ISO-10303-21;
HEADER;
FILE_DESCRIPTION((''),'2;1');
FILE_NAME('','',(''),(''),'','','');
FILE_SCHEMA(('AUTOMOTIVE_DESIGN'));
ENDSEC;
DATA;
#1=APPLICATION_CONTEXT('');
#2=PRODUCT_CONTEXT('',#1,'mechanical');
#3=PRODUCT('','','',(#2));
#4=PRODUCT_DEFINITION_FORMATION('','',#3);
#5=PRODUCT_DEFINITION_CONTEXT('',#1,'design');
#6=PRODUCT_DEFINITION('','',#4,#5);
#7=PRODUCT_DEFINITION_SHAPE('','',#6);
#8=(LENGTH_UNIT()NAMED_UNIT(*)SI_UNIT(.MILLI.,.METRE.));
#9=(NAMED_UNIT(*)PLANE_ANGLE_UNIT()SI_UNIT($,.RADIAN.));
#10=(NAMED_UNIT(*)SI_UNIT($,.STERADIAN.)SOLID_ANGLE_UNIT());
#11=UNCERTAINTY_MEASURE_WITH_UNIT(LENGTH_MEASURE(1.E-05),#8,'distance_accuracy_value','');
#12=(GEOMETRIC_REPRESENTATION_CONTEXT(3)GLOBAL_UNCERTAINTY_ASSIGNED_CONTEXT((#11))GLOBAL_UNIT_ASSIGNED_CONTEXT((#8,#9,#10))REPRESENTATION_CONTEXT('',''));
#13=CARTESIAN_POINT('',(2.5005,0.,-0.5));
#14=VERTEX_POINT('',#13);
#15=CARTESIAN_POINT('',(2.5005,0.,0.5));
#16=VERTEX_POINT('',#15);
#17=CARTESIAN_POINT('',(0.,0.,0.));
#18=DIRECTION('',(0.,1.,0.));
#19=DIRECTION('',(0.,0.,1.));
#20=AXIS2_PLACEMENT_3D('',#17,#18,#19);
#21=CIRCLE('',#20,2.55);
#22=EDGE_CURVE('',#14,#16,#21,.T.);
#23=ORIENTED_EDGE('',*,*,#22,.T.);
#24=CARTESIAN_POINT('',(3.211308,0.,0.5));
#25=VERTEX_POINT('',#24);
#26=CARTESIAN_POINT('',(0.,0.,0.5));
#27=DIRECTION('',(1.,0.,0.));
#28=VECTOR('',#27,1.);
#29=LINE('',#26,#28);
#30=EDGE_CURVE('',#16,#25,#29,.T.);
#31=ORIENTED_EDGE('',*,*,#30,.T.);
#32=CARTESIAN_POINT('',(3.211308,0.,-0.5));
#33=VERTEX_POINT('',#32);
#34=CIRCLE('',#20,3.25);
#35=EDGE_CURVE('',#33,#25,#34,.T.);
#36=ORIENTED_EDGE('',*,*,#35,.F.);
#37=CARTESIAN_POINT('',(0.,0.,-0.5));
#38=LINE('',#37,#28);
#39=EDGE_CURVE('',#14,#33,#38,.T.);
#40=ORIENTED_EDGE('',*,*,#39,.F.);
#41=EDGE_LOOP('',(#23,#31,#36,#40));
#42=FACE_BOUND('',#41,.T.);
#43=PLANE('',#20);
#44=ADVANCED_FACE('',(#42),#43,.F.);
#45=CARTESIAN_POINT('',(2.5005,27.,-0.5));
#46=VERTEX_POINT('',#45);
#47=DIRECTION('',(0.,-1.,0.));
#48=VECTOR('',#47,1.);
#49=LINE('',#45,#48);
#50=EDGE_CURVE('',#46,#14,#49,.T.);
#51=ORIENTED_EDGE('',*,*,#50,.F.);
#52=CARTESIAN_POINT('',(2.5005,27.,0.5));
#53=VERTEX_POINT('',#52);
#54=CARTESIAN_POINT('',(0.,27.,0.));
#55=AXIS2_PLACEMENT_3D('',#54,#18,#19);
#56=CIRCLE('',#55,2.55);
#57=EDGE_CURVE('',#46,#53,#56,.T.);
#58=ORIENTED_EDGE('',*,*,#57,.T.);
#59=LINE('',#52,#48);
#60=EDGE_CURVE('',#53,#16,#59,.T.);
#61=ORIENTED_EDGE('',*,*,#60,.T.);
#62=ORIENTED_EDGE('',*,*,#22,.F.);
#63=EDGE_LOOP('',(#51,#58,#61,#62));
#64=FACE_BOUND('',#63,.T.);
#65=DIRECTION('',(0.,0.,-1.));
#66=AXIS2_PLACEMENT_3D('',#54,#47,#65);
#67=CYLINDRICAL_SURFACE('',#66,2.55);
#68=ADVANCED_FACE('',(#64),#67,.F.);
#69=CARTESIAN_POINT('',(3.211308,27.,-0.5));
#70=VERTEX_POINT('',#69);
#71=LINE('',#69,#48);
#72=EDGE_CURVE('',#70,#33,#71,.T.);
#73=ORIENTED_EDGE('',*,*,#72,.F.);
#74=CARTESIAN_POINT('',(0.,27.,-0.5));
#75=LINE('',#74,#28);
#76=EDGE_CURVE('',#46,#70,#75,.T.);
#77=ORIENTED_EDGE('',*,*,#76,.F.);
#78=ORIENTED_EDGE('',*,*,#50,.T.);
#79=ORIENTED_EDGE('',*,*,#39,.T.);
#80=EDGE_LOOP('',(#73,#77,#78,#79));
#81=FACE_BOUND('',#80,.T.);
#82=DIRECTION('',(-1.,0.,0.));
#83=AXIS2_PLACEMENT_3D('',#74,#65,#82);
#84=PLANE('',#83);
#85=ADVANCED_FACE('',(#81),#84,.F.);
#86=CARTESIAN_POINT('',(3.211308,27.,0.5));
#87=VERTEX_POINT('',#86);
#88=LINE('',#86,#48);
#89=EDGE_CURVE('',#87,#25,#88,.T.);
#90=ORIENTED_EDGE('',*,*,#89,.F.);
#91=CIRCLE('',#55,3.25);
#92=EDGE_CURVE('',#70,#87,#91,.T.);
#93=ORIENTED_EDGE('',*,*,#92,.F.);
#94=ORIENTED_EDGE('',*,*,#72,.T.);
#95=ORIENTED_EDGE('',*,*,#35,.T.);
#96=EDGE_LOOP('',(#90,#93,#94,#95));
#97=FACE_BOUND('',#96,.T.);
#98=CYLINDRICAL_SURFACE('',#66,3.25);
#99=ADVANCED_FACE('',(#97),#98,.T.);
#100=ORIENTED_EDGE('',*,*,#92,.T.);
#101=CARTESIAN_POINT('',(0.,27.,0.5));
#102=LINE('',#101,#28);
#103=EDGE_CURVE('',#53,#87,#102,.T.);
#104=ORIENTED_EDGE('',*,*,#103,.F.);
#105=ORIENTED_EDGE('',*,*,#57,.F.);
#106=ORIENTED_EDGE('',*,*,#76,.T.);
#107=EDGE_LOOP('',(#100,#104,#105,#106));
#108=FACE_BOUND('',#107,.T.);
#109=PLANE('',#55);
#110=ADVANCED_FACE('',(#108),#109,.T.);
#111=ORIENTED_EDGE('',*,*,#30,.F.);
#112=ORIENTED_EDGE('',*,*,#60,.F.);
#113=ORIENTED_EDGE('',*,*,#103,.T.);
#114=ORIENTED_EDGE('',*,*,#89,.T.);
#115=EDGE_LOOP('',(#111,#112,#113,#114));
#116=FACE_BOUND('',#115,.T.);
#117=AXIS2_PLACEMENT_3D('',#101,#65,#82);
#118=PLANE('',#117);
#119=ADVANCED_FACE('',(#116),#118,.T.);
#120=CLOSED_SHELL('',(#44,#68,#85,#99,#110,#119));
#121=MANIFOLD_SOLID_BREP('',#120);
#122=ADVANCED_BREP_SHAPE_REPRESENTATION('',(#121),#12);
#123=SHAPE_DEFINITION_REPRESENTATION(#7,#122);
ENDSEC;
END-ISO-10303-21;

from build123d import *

# Parameters (mm, degrees)
BOSS_EXTRUDE1_DEPTH = 27


with BuildPart() as part:
    # Sketch1 → Boss-Extrude1 (new body)
    with BuildSketch(Plane(origin=(0, 0, 0), x_dir=(1, 0, 0), z_dir=(0, 1, 0))):
        with BuildLine():
            ThreePointArc((2.50049995, -0.5), (-2.55, 0), (2.50049995, 0.5))
            Line((2.50049995, 0.5), (3.211308145, 0.5))
            ThreePointArc((3.211308145, 0.5), (-3.25, 0), (3.211308145, -0.5))
            Line((3.211308145, -0.5), (2.50049995, -0.5))
        make_face()
    extrude(amount=BOSS_EXTRUDE1_DEPTH)


solid = part.part
